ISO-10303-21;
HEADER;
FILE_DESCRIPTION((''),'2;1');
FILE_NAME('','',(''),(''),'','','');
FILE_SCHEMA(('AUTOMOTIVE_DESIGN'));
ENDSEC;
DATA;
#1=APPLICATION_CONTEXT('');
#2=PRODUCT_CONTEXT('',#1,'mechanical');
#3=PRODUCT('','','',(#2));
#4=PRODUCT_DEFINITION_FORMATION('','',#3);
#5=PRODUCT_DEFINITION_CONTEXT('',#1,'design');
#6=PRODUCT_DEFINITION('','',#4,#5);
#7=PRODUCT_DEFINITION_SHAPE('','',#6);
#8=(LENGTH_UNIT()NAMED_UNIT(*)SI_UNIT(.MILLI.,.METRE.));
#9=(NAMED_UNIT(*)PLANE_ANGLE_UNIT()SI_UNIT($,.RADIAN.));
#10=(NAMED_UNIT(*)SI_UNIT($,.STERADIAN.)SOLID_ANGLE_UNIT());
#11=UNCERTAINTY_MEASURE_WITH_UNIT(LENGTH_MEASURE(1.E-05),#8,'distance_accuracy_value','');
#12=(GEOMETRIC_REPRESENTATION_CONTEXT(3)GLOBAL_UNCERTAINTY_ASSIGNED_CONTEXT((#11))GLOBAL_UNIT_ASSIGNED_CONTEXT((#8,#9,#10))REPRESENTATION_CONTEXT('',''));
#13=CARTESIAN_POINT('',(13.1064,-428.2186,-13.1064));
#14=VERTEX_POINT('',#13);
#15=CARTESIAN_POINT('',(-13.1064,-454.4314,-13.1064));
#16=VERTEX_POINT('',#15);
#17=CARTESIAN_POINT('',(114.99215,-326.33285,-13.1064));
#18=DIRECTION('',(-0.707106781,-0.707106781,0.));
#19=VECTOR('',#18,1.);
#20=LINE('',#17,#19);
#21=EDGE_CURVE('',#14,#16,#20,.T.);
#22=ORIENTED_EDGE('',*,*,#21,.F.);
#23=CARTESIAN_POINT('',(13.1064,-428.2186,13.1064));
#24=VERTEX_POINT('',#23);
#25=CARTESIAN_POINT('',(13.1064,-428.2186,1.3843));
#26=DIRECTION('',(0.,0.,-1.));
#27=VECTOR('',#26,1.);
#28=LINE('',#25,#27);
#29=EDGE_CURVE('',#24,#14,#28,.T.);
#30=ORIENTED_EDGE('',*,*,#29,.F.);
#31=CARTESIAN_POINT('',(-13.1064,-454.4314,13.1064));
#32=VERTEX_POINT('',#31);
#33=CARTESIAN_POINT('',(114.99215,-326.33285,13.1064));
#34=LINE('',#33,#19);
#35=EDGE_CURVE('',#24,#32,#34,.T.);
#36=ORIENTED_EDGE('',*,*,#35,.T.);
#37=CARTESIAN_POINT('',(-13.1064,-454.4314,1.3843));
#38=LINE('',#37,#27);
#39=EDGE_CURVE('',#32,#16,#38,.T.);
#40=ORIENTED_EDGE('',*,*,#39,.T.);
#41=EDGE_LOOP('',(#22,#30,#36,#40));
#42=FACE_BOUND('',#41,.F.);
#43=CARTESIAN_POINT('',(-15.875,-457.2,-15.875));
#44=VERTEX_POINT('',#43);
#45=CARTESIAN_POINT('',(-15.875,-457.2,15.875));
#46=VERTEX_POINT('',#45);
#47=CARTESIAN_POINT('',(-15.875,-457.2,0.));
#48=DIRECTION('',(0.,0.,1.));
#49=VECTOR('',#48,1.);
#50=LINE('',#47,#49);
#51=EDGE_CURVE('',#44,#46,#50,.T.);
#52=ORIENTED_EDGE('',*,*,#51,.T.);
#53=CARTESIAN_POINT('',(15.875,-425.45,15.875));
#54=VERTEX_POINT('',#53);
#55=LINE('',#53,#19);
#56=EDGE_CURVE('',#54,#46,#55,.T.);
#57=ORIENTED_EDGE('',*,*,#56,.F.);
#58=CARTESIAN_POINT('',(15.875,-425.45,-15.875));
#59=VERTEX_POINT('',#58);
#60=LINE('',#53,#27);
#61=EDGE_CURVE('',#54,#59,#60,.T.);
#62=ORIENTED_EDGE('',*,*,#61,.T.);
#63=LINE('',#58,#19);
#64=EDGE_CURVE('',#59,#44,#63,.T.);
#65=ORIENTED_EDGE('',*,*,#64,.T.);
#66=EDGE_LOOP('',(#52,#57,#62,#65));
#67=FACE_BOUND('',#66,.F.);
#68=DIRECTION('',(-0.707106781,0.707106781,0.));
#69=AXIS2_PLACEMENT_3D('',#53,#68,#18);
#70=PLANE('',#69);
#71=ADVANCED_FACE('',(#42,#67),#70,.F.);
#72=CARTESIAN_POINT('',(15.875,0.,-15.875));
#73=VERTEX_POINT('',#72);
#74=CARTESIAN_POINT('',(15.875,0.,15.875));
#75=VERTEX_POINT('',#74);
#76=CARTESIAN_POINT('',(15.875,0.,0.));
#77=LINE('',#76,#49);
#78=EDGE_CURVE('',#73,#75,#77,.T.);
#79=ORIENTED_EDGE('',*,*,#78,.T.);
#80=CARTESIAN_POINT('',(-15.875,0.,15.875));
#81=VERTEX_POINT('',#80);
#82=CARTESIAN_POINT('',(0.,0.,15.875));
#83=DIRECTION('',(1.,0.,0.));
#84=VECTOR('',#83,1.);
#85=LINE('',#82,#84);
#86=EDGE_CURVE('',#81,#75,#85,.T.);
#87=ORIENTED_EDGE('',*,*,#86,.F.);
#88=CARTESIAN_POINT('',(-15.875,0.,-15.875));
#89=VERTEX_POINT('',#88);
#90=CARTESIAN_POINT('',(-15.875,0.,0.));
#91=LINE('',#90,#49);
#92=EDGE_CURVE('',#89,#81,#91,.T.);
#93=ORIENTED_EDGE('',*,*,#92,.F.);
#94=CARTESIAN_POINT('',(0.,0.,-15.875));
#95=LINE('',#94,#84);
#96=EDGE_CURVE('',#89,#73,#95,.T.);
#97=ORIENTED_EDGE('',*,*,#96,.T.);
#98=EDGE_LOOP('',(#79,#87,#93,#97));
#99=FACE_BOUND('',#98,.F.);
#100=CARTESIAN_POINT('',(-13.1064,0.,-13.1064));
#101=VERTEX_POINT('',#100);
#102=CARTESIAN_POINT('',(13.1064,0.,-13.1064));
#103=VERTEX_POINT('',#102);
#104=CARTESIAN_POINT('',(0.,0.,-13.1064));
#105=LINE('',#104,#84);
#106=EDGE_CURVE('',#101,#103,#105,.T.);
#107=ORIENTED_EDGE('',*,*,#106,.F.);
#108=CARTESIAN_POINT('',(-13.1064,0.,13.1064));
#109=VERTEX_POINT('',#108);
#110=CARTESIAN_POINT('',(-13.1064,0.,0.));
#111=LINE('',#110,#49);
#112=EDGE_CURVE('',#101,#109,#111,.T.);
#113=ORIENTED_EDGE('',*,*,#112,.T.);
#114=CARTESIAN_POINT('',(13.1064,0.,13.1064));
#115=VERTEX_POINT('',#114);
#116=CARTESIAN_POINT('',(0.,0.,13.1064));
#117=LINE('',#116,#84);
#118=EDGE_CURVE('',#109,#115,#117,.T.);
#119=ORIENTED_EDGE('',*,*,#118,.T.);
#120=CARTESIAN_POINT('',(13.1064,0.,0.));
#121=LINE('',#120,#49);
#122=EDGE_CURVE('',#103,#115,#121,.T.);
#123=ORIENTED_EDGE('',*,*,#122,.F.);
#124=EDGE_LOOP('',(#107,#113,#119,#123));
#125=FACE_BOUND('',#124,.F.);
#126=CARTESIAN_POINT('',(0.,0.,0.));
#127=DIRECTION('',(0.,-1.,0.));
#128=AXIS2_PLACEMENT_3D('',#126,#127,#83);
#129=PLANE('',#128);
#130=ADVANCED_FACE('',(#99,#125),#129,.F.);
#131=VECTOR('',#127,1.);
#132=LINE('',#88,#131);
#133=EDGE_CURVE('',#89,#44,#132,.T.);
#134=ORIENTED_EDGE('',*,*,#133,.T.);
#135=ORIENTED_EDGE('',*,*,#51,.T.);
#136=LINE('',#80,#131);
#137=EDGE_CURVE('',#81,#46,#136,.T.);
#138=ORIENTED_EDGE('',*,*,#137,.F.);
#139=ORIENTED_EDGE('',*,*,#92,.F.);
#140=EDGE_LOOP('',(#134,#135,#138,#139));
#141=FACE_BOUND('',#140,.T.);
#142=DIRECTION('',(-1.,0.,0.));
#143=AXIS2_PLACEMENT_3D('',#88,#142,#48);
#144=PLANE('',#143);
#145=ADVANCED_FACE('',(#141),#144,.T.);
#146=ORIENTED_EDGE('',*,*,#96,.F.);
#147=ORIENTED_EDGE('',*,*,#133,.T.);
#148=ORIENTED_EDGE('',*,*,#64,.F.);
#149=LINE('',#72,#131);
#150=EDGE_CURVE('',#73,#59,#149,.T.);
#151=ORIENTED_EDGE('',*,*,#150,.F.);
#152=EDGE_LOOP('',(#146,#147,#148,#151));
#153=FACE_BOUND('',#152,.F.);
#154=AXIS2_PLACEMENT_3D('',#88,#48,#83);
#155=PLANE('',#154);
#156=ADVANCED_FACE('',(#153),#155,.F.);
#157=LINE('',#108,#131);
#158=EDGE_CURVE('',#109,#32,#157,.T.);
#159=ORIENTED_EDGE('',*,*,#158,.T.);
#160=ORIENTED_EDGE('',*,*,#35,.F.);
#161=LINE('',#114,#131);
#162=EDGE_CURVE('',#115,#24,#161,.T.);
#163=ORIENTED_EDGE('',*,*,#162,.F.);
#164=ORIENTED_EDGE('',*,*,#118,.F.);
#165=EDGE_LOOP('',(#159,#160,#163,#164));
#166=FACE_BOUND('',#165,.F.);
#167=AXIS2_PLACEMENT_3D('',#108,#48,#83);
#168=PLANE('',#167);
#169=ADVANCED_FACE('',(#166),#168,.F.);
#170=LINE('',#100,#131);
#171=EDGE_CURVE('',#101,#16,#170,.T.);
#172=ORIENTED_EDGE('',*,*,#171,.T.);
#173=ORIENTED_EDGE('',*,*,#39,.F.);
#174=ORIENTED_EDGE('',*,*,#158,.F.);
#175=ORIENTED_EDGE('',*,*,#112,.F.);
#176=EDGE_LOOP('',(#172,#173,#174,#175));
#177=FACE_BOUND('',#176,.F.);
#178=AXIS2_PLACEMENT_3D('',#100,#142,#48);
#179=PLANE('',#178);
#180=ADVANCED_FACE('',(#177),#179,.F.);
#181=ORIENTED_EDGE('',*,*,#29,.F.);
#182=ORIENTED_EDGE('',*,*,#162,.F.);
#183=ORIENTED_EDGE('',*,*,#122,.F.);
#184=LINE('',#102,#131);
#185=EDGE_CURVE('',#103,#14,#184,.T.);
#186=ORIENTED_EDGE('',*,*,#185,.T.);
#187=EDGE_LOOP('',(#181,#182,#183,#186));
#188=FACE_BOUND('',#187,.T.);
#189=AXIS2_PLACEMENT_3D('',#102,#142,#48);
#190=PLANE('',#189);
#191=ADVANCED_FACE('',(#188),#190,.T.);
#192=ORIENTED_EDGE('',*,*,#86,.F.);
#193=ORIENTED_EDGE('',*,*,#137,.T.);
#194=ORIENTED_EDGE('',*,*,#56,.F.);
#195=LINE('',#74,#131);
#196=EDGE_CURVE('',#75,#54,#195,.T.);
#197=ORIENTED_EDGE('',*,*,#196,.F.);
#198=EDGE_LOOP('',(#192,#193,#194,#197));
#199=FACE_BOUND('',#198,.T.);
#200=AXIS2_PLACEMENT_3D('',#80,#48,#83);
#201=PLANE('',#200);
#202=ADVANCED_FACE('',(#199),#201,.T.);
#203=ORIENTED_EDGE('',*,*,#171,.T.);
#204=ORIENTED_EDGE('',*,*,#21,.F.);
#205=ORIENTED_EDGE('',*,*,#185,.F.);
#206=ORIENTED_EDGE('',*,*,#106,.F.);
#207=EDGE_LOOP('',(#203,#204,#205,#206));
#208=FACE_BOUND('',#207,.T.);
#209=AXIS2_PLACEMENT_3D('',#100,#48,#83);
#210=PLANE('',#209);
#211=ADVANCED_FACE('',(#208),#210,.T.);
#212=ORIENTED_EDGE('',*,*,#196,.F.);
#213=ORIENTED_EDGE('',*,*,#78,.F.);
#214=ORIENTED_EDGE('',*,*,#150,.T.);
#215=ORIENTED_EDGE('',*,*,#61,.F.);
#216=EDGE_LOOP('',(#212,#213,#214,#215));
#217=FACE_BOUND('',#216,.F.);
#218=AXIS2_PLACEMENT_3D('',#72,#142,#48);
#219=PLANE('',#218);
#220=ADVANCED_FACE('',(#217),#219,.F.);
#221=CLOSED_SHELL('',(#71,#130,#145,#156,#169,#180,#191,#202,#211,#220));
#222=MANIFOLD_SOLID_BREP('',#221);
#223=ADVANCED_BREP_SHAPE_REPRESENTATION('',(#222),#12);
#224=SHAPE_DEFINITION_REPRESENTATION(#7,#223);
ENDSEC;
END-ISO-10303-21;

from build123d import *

# Parameters (mm, degrees)
SKETCH_W     = 31.75
SKETCH_H     = 31.75
SKETCH_W_2   = 26.2128
SKETCH_H_2   = 26.2128
PAD_DEPTH    = 457.2
POCKET_DEPTH = 31.75


with BuildPart() as part:
    # Sketch → Pad (new body)
    with BuildSketch(Plane.XZ):
        Rectangle(SKETCH_W, SKETCH_H)
        Rectangle(SKETCH_W_2, SKETCH_H_2, mode=Mode.SUBTRACT)
    extrude(amount=PAD_DEPTH)

    # Sketch001 → Pocket (cut)
    with BuildSketch(Plane(origin=(0, 0, 15.875), x_dir=(-1, 0, 0), z_dir=(0, 0, 1))):
        Polygon((15.875, 457.2), (-15.875, 457.2), (-15.875, 425.45), align=None)
    extrude(amount=-POCKET_DEPTH, mode=Mode.SUBTRACT)


solid = part.part
